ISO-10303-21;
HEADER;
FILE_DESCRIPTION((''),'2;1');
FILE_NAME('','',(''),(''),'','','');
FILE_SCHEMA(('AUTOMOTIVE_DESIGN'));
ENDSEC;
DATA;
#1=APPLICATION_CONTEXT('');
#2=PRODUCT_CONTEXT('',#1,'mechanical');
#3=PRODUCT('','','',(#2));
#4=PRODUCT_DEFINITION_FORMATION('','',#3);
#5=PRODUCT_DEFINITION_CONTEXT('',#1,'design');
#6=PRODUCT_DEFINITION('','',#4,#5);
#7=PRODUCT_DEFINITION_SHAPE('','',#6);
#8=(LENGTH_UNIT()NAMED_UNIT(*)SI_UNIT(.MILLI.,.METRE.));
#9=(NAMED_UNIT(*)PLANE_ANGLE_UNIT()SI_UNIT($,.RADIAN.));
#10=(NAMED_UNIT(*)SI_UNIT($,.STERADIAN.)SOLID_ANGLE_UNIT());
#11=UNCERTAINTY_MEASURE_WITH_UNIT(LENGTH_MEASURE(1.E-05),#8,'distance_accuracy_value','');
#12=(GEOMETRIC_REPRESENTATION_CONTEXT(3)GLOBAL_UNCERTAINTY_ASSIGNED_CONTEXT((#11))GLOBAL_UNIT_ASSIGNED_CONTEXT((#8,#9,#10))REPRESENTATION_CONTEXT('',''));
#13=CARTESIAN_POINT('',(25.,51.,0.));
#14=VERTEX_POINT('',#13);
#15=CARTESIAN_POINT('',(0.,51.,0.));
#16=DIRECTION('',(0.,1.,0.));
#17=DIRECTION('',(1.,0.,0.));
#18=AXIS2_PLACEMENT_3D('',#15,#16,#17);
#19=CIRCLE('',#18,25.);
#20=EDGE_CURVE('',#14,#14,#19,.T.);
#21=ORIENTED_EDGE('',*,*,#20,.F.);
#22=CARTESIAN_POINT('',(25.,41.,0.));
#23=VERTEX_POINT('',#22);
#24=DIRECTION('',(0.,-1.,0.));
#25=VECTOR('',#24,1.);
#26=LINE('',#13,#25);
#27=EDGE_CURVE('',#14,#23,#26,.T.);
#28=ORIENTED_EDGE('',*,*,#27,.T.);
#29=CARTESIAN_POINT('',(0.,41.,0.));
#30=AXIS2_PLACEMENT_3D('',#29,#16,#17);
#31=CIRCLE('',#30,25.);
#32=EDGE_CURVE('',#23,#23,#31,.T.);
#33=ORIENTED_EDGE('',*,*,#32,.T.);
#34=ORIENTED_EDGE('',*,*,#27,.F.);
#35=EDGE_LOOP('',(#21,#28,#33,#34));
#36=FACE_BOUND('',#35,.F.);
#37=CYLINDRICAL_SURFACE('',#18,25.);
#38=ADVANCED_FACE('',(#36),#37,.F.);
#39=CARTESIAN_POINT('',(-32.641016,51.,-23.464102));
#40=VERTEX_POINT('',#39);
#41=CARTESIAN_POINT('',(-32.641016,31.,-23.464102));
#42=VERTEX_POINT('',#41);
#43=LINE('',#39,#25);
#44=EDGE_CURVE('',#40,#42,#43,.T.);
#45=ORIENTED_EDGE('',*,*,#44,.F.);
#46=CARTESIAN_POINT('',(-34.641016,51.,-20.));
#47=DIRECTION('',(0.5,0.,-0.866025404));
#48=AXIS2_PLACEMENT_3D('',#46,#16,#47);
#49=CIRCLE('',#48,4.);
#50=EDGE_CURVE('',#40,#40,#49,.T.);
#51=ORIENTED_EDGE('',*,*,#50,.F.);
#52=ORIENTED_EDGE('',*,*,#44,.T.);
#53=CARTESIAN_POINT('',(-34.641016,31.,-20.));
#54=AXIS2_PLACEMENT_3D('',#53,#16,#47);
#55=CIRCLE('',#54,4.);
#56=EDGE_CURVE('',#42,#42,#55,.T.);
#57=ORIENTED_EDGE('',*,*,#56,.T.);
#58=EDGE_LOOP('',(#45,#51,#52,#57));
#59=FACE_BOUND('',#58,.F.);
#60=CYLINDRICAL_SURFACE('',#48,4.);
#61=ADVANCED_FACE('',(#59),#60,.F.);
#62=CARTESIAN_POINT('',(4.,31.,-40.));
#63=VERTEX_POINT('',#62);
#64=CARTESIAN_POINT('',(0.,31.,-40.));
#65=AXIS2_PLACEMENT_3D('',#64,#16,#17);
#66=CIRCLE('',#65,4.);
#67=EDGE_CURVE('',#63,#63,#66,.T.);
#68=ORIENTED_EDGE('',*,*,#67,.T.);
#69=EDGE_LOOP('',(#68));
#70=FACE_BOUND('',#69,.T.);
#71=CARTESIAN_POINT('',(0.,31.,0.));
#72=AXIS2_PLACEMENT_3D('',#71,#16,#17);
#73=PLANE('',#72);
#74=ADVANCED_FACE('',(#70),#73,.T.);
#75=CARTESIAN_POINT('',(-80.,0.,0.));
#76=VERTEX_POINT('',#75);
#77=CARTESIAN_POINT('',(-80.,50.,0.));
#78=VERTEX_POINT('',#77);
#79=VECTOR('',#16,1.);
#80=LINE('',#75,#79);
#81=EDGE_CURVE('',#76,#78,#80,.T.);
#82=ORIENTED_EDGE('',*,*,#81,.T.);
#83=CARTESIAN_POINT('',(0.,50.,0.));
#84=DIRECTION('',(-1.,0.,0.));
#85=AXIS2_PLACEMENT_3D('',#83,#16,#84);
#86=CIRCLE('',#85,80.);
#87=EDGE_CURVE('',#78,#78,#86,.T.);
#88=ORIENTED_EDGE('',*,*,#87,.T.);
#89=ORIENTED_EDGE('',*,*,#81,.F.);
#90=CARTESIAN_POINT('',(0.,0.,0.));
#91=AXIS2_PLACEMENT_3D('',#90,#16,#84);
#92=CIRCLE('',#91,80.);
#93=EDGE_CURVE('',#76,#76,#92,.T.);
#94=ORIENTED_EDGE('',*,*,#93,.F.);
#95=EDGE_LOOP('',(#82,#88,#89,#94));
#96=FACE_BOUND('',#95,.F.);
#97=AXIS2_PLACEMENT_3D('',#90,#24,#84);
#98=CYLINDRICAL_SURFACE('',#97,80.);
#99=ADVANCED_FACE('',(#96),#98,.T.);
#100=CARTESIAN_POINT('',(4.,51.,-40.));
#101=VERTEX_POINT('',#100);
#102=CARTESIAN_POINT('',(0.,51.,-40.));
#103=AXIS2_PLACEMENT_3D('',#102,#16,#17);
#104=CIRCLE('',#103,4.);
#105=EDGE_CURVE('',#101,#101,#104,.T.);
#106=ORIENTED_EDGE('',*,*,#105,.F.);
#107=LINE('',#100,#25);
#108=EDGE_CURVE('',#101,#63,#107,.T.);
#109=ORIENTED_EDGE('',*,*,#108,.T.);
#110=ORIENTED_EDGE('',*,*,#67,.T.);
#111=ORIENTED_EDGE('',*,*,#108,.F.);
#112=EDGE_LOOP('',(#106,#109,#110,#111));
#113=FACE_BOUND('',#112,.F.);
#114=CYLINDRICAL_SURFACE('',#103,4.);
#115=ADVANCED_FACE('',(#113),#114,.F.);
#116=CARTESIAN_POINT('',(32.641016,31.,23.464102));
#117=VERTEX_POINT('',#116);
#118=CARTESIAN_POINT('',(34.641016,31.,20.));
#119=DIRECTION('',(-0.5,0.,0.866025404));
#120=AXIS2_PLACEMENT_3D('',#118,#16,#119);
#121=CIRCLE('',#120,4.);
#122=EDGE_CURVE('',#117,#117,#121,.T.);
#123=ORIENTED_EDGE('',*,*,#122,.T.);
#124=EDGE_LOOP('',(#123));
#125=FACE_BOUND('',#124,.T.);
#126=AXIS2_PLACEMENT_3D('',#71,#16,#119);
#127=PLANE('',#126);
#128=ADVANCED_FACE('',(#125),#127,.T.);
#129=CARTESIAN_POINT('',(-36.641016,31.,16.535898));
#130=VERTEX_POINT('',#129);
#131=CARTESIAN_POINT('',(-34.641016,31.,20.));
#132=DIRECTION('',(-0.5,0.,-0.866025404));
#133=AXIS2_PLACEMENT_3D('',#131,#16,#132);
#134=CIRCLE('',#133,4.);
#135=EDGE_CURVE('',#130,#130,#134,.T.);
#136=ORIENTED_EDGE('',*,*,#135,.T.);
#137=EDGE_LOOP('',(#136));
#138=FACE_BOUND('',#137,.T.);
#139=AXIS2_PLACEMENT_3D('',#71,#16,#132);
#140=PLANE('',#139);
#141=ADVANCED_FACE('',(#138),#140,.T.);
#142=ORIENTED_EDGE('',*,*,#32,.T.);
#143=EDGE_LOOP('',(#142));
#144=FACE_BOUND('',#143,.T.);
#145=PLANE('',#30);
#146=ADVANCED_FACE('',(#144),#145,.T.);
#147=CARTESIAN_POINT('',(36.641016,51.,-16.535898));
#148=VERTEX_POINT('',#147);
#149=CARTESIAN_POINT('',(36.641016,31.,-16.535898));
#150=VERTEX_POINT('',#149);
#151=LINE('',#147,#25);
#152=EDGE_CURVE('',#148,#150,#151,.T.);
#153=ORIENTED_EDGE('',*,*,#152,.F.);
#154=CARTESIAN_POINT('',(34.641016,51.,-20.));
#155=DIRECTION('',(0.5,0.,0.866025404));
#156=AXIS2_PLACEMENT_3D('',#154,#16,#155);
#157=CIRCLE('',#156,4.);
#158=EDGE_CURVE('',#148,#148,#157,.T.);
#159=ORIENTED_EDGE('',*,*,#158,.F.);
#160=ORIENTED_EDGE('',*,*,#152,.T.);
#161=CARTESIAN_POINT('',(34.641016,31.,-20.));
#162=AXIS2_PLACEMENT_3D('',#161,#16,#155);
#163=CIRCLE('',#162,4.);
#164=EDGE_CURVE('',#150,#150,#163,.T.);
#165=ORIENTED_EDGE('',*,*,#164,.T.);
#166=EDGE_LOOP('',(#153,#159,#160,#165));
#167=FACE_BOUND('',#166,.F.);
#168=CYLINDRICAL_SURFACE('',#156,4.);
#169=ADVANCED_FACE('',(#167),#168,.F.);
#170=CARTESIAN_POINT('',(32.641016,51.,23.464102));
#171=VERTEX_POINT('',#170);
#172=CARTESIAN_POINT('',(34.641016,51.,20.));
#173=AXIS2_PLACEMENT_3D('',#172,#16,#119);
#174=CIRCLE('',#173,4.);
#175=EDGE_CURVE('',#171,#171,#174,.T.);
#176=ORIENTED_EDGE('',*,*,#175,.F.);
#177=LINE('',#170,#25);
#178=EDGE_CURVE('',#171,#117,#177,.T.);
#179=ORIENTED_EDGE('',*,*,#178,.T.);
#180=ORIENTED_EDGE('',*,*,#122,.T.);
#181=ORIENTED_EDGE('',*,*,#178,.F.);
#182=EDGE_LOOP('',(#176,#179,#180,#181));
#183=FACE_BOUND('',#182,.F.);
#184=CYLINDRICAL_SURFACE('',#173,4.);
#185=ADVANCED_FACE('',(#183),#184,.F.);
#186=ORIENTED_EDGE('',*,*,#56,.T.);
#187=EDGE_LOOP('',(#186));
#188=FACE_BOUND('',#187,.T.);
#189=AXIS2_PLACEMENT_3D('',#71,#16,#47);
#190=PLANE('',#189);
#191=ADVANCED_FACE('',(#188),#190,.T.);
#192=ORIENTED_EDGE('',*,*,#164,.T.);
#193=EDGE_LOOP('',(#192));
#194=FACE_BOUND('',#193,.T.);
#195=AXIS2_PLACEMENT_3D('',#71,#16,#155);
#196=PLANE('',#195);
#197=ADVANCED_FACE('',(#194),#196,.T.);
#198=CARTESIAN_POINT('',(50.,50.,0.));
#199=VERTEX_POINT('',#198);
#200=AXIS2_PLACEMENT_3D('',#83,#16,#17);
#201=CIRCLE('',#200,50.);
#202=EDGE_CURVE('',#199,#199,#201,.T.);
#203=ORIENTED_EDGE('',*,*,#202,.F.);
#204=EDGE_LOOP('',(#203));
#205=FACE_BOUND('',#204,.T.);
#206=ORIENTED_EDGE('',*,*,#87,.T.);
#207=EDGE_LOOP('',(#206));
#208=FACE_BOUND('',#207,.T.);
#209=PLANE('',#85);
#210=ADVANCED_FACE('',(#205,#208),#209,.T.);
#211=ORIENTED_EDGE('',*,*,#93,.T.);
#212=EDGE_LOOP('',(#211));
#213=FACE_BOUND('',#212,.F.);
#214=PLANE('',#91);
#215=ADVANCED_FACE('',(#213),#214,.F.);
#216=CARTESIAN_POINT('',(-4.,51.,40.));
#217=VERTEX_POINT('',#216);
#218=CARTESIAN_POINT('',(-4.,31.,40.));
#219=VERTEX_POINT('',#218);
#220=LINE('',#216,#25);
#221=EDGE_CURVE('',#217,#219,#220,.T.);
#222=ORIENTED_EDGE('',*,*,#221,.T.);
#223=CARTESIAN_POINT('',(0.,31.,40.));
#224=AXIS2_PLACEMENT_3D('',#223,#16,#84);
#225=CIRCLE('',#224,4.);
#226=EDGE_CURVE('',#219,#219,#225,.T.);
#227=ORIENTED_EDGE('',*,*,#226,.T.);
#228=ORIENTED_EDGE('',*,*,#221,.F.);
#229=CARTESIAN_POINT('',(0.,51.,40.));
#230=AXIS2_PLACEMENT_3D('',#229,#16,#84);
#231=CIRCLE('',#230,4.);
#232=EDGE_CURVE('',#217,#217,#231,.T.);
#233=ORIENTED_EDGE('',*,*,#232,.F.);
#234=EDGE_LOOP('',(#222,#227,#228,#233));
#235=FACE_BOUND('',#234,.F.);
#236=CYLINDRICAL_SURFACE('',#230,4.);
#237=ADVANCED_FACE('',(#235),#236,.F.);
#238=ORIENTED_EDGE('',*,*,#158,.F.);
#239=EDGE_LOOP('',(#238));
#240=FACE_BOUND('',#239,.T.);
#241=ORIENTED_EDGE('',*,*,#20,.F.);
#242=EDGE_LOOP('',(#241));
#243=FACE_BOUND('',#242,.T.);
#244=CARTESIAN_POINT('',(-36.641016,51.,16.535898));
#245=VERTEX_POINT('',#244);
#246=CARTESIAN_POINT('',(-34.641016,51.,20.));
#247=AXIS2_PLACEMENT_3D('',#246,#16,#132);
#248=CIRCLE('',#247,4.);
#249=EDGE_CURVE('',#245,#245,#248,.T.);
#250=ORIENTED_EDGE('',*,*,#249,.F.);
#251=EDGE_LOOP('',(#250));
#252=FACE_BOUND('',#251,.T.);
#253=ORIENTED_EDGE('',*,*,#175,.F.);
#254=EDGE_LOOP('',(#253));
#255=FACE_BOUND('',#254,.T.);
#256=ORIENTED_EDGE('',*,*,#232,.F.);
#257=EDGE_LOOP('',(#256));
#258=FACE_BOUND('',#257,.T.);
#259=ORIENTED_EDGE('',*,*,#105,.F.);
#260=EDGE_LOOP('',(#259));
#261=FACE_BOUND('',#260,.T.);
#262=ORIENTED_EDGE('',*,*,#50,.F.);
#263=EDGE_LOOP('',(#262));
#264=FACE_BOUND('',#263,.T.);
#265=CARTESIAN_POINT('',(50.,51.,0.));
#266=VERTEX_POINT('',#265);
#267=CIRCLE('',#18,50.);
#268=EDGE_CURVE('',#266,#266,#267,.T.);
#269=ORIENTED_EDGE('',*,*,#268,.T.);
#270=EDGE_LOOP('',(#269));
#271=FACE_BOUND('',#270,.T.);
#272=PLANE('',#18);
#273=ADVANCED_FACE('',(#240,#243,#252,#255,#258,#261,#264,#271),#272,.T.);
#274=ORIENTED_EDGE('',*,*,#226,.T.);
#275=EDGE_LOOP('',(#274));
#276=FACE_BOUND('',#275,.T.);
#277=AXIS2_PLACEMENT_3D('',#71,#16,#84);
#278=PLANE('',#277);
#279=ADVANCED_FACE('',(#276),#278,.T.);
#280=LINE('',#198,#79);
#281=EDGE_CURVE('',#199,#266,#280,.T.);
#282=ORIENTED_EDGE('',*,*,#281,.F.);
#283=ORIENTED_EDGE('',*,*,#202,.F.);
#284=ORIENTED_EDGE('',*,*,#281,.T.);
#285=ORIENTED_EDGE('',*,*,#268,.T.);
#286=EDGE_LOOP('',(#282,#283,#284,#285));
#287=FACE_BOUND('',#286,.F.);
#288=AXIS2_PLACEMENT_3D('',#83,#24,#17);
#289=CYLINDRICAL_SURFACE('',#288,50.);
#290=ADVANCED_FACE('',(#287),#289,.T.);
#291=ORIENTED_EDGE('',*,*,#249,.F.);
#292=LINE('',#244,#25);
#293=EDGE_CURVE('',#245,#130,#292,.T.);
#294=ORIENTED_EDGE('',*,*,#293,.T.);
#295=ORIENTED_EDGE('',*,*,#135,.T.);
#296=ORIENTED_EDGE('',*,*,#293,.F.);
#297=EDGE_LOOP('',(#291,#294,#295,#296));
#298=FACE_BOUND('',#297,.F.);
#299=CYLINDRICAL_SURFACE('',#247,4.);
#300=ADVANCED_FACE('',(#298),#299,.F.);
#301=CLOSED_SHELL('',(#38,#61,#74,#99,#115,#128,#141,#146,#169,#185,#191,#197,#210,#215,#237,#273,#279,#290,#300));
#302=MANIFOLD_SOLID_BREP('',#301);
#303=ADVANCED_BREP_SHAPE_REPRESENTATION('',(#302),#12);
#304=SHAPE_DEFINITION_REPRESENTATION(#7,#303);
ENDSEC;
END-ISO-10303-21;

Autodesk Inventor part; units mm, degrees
ref_plane "XZ Plane" through (0, 0, 0) normal (0, 1, 0) x (-1, 0, 0)
ref_plane "XY Plane" through (0, 0, 0) normal (0, 0, 1) x (1, 0, 0)
sketch "Sketch1" plane through (0, 0, 0) normal (0, 1, 0) x (-1, 0, 0)
  circle A0 centre (0, 0) radius 80
  dimension "d0" = 160
extrude "Extrusion1" add sketch "Sketch1" along normal blind 50
sketch "Sketch2" plane through (0, 50, 0) normal (0, 1, 0) x (1, 0, 0)
  circle A0 centre (0, 0) radius 50
  dimension "d3" = 100
extrude "Extrusion2" add sketch "Sketch2" along normal blind 1
sketch "Sketch3" plane through (0, 51, 0) normal (0, 1, 0) x (1, 0, 0)
  circle A0 centre (0, 0) radius 25
  dimension "d6" = 50
extrude "Extrusion3" cut sketch "Sketch3" against normal blind 10
sketch "Sketch4" plane through (0, 51, 0) normal (0, 1, 0) x (1, 0, 0)
  circle A0 centre (0, 40) radius 4
  point P0 (0, 0)
  dimension "d9" = 8
  dimension "d10" = 40
extrude "Extrusion4" cut sketch "Sketch4" against normal blind 20
pattern_circular "Circular Pattern1" count 6 over 360 about axis through (0, 51, 0) along (0, -1, 0) of "Extrusion4"
properties part number "JR3_sensor"
